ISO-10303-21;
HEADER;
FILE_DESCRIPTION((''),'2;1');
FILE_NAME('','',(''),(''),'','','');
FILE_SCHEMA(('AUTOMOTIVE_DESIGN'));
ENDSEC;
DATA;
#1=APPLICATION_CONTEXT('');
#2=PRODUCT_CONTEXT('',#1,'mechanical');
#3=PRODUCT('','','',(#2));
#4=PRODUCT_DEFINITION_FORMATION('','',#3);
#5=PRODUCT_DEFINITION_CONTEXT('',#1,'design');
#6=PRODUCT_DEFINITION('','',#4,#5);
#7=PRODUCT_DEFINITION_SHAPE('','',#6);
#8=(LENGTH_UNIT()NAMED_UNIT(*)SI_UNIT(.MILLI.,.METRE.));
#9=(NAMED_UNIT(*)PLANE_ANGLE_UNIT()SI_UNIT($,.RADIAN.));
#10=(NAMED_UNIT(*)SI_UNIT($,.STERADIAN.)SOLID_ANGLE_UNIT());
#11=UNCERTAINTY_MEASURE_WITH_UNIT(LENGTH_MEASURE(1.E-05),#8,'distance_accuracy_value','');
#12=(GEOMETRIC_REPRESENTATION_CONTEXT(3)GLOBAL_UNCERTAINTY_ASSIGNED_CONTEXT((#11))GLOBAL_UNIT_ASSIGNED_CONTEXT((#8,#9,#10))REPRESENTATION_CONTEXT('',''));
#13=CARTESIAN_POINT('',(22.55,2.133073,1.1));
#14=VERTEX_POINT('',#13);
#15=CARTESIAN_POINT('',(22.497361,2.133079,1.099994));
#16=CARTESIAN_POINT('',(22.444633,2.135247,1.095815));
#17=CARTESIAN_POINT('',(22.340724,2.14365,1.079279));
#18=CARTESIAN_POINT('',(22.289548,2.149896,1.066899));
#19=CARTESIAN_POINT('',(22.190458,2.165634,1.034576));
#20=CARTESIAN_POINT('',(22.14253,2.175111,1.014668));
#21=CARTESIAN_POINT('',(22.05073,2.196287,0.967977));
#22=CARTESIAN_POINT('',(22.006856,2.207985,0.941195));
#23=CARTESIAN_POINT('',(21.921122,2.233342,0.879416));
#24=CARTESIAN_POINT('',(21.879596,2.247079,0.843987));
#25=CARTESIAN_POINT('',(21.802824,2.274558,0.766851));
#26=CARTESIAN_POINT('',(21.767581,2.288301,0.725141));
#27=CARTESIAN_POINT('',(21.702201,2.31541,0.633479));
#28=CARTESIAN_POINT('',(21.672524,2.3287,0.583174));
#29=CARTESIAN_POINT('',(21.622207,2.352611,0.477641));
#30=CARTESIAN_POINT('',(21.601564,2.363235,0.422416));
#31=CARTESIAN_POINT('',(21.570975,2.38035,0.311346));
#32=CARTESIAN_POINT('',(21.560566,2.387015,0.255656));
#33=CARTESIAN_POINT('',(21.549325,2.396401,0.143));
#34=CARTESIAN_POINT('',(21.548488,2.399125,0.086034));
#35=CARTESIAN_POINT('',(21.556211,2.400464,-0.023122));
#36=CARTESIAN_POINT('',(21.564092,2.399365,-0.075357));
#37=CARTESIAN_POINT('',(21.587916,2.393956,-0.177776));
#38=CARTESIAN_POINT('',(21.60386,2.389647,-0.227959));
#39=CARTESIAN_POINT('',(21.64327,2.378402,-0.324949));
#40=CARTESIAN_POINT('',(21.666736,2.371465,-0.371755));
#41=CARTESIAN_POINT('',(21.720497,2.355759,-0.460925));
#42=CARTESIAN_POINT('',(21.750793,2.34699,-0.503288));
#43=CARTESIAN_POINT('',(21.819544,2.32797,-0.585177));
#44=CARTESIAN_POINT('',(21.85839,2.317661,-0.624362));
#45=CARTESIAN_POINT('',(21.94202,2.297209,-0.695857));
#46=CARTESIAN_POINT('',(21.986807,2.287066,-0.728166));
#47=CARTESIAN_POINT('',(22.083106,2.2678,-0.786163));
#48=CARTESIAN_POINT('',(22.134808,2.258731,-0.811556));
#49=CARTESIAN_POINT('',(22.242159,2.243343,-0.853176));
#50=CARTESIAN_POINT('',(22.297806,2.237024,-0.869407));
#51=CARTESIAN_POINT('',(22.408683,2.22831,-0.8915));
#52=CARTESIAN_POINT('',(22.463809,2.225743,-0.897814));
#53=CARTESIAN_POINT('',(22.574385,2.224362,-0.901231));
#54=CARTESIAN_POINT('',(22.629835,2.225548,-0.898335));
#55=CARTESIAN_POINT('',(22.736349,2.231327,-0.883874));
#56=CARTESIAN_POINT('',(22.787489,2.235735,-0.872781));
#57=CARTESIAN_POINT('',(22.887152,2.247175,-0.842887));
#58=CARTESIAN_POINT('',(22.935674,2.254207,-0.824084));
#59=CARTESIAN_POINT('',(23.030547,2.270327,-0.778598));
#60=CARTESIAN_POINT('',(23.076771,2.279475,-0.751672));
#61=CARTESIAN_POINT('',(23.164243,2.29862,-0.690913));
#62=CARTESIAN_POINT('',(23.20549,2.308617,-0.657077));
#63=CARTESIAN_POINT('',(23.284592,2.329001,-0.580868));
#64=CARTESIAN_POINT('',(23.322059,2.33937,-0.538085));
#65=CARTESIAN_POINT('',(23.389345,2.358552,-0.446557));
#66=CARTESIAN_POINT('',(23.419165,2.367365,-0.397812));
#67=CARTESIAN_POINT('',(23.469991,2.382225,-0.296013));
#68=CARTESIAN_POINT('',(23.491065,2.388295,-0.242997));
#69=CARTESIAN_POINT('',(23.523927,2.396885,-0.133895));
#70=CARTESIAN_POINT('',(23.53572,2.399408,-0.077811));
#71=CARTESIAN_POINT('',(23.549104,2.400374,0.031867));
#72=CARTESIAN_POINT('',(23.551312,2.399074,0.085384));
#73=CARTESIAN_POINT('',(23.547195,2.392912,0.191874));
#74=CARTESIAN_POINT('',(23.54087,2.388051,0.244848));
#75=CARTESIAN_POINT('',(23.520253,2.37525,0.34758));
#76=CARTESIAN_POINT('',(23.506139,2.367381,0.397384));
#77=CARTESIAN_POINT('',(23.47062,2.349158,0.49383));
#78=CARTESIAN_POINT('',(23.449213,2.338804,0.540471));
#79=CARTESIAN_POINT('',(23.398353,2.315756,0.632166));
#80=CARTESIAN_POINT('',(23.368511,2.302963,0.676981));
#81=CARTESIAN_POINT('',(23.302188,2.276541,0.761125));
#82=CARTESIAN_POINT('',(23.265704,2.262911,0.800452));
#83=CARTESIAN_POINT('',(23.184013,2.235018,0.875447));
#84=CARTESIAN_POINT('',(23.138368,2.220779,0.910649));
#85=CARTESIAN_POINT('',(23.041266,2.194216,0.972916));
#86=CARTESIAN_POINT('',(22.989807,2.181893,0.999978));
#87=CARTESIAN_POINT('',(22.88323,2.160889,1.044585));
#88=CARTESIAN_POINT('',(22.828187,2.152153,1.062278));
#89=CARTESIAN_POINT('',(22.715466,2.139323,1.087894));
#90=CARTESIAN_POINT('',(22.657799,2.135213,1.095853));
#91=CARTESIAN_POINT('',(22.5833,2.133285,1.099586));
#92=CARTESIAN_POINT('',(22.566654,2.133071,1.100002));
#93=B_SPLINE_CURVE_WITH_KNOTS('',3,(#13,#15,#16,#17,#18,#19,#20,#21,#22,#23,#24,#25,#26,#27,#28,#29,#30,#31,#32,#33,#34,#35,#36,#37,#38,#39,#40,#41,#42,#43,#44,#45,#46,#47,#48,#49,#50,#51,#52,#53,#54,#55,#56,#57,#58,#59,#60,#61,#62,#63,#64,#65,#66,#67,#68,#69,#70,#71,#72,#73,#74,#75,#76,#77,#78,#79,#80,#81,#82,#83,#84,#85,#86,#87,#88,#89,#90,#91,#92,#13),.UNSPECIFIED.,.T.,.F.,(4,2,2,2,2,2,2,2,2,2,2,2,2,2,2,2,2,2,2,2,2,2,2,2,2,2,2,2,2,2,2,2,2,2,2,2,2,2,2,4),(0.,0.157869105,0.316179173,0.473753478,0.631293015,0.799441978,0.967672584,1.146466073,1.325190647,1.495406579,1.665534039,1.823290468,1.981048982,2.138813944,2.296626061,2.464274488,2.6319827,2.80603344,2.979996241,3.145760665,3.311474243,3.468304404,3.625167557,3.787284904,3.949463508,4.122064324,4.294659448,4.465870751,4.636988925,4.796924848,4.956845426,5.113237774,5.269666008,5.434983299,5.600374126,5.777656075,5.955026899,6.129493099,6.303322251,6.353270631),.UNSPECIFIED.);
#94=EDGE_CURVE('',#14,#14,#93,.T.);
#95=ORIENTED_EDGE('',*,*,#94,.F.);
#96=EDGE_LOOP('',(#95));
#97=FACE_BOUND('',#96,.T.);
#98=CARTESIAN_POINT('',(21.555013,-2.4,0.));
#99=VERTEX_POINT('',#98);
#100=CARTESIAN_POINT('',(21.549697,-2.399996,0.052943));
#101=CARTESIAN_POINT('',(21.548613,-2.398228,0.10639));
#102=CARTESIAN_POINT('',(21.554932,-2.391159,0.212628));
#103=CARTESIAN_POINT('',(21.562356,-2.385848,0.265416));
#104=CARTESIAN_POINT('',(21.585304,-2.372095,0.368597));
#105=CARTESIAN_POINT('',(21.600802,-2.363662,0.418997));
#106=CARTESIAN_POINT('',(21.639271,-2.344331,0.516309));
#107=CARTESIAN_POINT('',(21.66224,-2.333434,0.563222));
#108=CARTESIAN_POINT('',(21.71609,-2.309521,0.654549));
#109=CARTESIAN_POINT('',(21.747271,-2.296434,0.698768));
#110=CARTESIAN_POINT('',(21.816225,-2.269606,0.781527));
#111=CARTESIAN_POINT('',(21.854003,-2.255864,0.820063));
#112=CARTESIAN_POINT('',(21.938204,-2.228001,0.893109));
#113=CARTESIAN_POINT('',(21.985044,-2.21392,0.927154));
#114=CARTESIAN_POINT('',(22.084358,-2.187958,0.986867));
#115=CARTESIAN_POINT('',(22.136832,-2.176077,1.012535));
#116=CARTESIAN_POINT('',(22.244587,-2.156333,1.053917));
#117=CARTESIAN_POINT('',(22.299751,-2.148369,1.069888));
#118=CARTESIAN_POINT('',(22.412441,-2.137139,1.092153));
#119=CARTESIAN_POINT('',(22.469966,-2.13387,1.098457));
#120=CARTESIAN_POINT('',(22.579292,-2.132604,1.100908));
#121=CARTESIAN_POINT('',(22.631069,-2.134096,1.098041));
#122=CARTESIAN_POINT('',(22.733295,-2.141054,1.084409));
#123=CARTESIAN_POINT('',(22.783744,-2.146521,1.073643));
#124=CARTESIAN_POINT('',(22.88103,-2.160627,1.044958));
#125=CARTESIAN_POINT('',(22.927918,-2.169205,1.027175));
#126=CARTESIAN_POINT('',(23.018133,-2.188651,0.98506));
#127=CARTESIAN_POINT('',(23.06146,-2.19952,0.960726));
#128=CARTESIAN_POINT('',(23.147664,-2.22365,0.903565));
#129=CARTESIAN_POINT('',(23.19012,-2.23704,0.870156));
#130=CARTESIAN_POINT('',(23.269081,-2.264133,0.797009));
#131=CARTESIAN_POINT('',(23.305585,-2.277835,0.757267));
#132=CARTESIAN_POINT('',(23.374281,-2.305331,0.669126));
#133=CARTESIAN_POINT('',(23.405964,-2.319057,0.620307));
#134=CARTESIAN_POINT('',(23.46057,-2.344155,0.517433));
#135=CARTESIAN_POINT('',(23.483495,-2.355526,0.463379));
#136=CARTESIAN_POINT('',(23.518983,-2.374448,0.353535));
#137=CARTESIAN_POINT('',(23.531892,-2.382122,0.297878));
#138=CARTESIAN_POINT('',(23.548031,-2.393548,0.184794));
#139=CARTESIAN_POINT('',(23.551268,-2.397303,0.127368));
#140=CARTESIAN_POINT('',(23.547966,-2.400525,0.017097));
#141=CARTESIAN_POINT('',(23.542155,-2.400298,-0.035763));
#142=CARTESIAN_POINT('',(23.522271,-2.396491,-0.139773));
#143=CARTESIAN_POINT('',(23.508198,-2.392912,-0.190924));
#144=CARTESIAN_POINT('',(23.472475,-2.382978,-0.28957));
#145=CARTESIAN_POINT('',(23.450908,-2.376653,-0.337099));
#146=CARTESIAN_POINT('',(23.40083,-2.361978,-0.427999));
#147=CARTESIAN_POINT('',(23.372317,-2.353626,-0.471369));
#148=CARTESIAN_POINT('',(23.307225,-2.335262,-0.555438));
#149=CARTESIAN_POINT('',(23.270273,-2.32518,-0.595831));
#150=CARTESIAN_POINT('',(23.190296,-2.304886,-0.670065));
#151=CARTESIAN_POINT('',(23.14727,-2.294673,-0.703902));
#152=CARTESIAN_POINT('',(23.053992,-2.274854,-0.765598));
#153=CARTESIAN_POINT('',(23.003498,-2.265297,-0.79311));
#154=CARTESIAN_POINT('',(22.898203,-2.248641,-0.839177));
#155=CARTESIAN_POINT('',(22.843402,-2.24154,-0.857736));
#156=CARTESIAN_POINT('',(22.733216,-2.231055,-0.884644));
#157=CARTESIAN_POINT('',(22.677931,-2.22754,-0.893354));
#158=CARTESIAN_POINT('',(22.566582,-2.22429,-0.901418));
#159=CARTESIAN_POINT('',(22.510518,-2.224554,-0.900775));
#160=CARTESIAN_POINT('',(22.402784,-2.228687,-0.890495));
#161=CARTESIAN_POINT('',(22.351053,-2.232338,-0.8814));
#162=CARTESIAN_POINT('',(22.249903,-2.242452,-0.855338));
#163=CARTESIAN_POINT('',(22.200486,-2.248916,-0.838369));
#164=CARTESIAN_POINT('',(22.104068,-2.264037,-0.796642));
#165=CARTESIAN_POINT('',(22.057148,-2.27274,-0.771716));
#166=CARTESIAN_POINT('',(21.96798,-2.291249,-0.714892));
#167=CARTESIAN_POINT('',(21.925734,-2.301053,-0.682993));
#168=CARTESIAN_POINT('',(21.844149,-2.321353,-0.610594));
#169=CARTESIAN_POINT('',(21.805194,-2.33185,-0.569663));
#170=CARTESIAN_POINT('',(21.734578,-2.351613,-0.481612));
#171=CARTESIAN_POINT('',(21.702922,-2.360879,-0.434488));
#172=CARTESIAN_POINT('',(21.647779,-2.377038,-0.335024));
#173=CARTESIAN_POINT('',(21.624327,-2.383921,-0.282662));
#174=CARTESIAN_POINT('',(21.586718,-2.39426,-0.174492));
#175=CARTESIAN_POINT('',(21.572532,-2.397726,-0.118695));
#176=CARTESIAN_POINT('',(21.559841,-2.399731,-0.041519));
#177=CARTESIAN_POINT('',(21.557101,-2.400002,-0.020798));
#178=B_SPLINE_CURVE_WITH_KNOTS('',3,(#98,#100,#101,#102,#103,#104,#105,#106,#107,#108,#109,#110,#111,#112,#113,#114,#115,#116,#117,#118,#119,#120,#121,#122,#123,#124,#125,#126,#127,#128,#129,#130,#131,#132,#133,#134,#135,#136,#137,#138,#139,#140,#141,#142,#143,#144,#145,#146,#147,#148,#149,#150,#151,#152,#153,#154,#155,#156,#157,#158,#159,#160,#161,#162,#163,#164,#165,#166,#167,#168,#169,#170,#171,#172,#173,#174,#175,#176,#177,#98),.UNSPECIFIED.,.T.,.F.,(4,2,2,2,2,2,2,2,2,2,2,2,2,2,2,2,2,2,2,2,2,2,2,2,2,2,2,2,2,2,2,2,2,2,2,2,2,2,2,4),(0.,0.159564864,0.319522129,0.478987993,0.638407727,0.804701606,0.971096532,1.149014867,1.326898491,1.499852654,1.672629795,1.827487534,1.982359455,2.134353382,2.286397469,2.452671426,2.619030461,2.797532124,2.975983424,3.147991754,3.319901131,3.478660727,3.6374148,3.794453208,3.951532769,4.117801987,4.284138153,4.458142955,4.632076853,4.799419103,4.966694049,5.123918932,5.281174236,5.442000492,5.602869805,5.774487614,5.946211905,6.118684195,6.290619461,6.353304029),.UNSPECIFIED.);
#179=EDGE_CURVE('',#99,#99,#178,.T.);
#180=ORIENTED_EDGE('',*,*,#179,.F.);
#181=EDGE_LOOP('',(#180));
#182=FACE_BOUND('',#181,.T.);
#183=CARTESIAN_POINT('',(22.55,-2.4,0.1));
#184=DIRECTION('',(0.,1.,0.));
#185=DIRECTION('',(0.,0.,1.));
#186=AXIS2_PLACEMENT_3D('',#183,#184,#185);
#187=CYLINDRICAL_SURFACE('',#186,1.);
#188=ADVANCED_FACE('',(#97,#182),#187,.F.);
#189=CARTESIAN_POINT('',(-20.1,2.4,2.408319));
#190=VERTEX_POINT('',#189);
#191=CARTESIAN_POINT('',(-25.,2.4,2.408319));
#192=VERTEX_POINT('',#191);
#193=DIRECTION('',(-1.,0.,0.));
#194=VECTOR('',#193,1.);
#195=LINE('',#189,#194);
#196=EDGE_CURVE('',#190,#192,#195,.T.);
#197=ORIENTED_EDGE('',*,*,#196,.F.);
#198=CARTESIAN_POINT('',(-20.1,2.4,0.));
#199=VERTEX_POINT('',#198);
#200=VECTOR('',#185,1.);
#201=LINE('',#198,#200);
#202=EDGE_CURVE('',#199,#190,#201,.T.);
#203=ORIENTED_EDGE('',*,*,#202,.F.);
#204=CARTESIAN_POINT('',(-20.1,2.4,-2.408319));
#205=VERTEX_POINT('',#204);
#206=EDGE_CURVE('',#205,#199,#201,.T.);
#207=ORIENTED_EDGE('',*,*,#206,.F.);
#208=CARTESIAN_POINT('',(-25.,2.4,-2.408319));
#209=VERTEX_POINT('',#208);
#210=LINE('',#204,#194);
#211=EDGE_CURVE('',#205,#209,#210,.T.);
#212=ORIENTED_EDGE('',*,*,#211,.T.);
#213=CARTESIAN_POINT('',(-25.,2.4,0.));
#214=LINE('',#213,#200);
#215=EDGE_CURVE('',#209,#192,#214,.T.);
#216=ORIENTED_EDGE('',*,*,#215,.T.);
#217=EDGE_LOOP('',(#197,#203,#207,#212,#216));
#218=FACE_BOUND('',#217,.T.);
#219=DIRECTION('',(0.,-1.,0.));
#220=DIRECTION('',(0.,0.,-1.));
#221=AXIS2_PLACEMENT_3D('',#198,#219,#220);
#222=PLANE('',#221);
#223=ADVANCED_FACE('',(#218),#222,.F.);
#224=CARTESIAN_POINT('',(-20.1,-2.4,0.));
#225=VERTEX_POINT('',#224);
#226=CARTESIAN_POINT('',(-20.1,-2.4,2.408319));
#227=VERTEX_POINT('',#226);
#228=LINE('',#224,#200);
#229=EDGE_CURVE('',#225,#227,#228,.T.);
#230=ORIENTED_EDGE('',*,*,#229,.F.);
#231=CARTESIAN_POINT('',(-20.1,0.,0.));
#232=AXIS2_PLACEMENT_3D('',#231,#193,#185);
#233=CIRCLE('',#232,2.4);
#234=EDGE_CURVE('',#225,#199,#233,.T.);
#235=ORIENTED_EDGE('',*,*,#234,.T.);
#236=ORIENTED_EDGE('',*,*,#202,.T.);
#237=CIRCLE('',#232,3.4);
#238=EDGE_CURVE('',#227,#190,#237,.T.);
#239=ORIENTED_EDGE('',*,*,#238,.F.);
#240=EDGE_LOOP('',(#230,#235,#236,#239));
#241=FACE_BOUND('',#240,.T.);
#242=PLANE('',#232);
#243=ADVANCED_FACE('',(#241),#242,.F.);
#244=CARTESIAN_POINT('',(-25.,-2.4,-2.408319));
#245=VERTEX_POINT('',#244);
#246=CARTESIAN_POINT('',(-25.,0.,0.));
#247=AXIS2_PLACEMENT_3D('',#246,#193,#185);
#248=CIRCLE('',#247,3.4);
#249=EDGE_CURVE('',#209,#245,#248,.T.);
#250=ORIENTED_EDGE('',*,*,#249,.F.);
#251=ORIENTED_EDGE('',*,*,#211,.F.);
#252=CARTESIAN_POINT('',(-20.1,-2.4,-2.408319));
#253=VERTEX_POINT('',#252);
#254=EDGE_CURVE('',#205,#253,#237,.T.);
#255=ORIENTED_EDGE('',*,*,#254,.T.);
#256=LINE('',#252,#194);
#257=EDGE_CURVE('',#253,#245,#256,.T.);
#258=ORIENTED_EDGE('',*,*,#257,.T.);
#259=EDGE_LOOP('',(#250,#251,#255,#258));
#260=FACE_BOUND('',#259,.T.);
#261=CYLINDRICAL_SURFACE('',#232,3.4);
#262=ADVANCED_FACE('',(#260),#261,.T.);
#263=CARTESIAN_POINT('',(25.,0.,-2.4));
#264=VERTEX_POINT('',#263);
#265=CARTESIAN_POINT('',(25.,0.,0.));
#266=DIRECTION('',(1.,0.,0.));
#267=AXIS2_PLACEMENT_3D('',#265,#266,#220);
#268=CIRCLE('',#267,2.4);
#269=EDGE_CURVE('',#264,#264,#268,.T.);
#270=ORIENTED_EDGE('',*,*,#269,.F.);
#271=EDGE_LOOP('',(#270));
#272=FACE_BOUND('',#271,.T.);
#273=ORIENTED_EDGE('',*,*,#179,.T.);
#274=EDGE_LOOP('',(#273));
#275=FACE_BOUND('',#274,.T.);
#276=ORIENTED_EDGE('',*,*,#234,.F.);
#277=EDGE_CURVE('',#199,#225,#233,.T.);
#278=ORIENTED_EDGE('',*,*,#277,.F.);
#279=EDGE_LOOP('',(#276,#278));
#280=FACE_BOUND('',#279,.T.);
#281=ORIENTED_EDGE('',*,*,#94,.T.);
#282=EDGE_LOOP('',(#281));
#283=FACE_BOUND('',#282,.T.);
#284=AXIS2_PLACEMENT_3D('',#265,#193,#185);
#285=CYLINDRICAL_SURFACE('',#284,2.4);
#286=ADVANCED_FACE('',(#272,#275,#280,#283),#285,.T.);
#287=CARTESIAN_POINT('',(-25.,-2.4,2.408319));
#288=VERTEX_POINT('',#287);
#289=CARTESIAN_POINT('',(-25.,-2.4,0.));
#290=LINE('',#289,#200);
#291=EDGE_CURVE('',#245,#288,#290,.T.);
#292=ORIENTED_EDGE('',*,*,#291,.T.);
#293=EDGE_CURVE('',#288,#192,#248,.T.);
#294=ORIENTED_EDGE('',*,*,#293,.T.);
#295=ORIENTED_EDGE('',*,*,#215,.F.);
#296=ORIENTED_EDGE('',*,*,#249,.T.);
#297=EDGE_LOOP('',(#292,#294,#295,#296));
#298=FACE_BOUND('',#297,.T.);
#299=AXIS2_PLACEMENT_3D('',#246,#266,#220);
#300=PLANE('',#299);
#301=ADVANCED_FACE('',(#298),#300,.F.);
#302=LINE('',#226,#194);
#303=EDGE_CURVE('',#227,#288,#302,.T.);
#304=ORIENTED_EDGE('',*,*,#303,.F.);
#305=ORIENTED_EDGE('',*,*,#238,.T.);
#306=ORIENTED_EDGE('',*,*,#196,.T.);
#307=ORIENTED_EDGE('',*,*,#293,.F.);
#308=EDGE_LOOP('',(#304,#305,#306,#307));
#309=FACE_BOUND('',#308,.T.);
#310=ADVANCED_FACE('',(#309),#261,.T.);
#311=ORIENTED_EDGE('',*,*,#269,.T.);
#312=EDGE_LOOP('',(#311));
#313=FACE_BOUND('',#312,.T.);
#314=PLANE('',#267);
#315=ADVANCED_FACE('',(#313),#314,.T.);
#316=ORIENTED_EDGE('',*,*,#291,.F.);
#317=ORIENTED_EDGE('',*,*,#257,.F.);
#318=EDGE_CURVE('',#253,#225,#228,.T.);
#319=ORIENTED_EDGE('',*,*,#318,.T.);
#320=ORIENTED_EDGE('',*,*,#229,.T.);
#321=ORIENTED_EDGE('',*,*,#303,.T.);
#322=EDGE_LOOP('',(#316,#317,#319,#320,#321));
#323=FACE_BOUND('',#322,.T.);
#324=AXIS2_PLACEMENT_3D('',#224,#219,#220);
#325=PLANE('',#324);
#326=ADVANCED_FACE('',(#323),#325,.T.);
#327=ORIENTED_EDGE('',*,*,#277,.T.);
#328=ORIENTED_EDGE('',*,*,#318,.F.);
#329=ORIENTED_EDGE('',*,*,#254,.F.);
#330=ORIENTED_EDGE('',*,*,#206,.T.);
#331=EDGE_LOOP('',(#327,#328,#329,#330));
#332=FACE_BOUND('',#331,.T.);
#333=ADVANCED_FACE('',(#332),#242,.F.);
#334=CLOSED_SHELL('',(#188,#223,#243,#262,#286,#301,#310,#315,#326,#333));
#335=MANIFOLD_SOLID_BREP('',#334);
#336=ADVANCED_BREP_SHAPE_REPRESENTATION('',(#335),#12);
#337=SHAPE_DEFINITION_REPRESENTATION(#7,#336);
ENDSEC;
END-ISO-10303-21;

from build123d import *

# Parameters (mm, degrees)
SKETCH2_R               = 2.4
BOSS_EXTRUDE1_DEPTH     = 25
BOSS_EXTRUDE4_DEPTH     = 4.9
SKETCH5_R               = 1
CUT_EXTRUDE2_DEPTH      = 1
CUT_EXTRUDE2_DEPTH_BACK = 5.8


with BuildPart() as part:
    # Sketch2 → Boss-Extrude1 (new body, symmetric)
    with BuildSketch(Plane(origin=(0, 0, 0), x_dir=(0, 0, -1), z_dir=(1, 0, 0))):
        Circle(SKETCH2_R)
    extrude(amount=BOSS_EXTRUDE1_DEPTH, both=True)

    # Sketch3 → Boss-Extrude4 (add)
    with BuildSketch(Plane.ZY.offset(25)):
        with BuildLine():
            Line((0, 2.4), (-2.408318916, 2.4))
            ThreePointArc((-2.408318916, 2.4), (-3.4, 0), (-2.408318916, -2.4))
            Line((-2.408318916, -2.4), (0, -2.4))
            ThreePointArc((0, -2.4), (-2.4, 0), (0, 2.4))
        make_face()
        with BuildLine():
            Line((2.408318916, 2.4), (0, 2.4))
            ThreePointArc((0, 2.4), (1.697056275, 1.697056275), (2.4, 0))
            ThreePointArc((2.4, 0), (1.697056275, -1.697056275), (0, -2.4))
            Line((0, -2.4), (2.408318916, -2.4))
            ThreePointArc((2.408318916, -2.4), (3.142314777, -1.298405885), (3.4, 0))
            ThreePointArc((3.4, 0), (3.142314777, 1.298405885), (2.408318916, 2.4))
        make_face()
    extrude(amount=-BOSS_EXTRUDE4_DEPTH)

    # Sketch5 → Cut-Extrude2 (cut, two sides)
    with BuildSketch(Plane(origin=(0, 2.4, 0), x_dir=(1, 0, 0), z_dir=(0, 1, 0))) as cut_extrude2_sk:
        with Locations((22.55, -0.1)):
            Circle(SKETCH5_R)
    extrude(amount=CUT_EXTRUDE2_DEPTH, mode=Mode.SUBTRACT)
    extrude(cut_extrude2_sk.sketch, amount=-CUT_EXTRUDE2_DEPTH_BACK, mode=Mode.SUBTRACT)


solid = part.part
